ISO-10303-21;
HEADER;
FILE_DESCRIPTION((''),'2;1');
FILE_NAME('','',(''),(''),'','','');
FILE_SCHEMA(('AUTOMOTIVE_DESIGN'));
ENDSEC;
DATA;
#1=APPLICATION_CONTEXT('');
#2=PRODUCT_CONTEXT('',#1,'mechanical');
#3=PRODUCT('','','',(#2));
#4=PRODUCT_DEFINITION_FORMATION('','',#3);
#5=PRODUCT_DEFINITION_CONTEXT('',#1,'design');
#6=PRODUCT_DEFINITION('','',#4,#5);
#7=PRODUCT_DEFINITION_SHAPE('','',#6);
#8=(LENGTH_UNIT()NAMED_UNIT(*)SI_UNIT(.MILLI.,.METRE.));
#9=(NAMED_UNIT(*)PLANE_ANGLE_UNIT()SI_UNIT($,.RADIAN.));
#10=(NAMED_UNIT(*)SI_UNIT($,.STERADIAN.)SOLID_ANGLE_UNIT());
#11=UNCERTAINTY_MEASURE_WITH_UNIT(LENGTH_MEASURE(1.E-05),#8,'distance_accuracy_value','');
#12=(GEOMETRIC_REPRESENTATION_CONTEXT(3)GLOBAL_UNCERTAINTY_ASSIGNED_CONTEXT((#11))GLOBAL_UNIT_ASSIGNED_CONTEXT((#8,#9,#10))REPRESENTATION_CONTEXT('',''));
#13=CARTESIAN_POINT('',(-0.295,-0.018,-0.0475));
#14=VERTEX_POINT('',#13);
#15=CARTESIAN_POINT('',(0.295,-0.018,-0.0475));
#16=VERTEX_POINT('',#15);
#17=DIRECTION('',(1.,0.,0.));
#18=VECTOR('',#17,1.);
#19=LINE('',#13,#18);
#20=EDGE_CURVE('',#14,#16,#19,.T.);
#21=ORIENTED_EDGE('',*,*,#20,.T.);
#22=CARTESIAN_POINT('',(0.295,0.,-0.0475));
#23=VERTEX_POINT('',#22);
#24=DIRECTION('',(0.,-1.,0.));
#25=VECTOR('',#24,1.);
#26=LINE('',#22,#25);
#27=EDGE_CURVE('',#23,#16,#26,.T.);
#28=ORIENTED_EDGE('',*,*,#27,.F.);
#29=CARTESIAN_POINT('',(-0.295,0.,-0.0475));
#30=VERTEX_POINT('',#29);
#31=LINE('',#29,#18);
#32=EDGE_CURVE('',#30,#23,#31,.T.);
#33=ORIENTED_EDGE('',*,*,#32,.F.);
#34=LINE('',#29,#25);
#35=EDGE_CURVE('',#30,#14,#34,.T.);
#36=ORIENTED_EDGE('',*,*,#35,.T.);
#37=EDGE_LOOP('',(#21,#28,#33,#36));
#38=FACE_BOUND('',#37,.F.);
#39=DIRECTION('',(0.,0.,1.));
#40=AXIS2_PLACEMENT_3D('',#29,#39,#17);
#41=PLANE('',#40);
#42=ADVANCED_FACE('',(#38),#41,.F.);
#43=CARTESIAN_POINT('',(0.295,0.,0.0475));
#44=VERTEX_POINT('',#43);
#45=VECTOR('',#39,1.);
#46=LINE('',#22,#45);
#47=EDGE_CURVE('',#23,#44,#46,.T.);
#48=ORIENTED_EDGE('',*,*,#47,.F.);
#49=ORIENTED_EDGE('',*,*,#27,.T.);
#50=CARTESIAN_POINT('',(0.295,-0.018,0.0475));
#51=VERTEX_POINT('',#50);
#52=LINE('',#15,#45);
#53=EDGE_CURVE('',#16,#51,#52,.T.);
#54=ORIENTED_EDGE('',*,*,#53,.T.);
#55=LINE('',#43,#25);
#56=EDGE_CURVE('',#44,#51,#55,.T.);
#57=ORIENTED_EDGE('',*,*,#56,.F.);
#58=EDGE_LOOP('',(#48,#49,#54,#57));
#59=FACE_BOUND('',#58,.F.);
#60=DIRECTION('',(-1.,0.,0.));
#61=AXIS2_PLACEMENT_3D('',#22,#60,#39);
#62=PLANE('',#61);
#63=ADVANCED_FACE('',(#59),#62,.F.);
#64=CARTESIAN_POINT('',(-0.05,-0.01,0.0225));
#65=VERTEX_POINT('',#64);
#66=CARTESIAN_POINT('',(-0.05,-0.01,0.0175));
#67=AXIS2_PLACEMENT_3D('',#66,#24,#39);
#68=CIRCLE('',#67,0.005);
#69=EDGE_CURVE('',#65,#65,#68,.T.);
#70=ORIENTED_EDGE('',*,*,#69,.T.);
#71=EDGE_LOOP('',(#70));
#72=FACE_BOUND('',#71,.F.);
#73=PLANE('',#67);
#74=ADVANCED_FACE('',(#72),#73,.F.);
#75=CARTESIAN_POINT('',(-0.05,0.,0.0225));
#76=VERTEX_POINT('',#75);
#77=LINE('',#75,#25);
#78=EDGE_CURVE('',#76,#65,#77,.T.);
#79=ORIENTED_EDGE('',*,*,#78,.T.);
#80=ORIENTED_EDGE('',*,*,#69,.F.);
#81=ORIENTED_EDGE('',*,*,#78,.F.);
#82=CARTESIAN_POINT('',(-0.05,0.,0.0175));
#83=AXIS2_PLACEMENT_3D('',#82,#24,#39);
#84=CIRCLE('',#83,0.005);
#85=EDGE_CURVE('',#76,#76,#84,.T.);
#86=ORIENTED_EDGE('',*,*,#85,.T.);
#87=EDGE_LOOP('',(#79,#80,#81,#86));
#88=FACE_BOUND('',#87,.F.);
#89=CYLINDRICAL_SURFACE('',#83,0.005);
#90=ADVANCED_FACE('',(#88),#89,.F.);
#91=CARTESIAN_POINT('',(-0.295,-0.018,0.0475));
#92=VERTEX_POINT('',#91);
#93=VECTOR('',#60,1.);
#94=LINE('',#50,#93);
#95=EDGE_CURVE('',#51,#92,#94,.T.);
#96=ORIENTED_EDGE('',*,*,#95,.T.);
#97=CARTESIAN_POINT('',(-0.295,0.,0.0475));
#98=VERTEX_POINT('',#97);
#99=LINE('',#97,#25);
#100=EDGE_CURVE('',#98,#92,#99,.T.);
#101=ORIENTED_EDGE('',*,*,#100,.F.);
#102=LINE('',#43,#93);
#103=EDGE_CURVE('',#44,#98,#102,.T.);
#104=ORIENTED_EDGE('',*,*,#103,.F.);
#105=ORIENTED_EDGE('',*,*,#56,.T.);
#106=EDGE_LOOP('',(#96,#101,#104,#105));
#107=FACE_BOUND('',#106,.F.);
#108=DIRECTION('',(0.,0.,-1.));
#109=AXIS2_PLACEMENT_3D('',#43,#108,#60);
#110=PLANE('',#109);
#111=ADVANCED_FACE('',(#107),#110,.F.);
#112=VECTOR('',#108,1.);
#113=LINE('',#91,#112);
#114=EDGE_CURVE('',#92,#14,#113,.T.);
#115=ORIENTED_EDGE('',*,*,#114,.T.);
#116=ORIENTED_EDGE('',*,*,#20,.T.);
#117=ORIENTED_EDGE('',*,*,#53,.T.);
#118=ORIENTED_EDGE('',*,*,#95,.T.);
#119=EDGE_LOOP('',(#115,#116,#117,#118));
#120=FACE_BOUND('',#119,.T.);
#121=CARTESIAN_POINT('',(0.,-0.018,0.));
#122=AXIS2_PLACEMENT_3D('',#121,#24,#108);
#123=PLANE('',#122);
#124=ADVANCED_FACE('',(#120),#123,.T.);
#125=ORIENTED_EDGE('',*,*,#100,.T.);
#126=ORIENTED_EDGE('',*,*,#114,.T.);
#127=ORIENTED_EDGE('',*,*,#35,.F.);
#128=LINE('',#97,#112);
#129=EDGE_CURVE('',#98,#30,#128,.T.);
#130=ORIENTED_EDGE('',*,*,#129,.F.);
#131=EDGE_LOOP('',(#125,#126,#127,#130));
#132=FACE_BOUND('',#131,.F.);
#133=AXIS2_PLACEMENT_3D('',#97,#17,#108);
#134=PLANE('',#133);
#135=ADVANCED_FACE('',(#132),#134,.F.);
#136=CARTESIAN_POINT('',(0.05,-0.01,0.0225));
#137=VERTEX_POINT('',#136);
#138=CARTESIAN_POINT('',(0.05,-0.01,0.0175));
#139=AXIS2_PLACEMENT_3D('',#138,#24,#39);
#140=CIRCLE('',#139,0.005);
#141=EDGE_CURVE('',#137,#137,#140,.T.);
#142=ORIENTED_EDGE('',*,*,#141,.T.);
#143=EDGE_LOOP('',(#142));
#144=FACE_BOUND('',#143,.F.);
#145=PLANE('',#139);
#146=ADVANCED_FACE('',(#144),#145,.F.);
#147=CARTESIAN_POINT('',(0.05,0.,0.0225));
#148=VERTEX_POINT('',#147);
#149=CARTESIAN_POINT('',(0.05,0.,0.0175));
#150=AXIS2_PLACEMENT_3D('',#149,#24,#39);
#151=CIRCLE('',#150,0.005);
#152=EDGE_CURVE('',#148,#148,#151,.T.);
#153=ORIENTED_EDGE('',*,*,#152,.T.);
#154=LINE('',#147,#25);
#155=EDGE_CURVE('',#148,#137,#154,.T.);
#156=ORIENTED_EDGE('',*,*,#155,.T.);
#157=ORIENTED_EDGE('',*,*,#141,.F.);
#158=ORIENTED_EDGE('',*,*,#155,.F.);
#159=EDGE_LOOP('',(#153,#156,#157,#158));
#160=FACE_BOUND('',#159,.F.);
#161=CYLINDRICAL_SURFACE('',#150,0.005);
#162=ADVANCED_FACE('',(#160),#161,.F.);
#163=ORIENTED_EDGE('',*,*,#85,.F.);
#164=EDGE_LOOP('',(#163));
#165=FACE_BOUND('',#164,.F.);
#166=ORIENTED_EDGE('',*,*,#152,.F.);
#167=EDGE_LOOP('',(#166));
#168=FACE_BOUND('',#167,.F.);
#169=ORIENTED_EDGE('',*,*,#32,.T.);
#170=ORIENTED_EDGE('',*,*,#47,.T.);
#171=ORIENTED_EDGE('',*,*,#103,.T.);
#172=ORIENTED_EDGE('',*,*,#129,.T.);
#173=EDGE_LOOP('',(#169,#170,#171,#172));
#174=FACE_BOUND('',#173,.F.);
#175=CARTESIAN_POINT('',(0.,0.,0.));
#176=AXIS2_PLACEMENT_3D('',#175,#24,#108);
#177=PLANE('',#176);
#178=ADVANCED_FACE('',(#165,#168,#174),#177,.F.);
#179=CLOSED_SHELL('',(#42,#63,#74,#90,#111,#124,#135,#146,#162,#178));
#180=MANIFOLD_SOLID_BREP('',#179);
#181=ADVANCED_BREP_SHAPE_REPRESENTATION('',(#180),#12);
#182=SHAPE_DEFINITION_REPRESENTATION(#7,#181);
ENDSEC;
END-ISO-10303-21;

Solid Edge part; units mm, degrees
sketch "Sketch1" plane through (0, 0, 0) normal (0, -1, 0) x (1, 0, 0)
  line L0 (-0.295, -0.0475) -> (0.295, -0.0475)
  line L1 (0.295, -0.0475) -> (0.295, 0.0475)
  line L2 (0.295, 0.0475) -> (-0.295, 0.0475)
  line L3 (-0.295, 0.0475) -> (-0.295, -0.0475)
  dimension "D1" = 0.095
  dimension "D2" = 0.59
extrude "Protrusion1" add sketch "Sketch1" along normal blind 0.018
hole "Bohrung_11" at (0.05, 0, 0.0175) direction (0, -1, 0) diameter 0.01 depth 0.01
hole "Hole1" at (-0.05, 0, 0.0175) direction (0, -1, 0) diameter 0.01 depth 0.01
